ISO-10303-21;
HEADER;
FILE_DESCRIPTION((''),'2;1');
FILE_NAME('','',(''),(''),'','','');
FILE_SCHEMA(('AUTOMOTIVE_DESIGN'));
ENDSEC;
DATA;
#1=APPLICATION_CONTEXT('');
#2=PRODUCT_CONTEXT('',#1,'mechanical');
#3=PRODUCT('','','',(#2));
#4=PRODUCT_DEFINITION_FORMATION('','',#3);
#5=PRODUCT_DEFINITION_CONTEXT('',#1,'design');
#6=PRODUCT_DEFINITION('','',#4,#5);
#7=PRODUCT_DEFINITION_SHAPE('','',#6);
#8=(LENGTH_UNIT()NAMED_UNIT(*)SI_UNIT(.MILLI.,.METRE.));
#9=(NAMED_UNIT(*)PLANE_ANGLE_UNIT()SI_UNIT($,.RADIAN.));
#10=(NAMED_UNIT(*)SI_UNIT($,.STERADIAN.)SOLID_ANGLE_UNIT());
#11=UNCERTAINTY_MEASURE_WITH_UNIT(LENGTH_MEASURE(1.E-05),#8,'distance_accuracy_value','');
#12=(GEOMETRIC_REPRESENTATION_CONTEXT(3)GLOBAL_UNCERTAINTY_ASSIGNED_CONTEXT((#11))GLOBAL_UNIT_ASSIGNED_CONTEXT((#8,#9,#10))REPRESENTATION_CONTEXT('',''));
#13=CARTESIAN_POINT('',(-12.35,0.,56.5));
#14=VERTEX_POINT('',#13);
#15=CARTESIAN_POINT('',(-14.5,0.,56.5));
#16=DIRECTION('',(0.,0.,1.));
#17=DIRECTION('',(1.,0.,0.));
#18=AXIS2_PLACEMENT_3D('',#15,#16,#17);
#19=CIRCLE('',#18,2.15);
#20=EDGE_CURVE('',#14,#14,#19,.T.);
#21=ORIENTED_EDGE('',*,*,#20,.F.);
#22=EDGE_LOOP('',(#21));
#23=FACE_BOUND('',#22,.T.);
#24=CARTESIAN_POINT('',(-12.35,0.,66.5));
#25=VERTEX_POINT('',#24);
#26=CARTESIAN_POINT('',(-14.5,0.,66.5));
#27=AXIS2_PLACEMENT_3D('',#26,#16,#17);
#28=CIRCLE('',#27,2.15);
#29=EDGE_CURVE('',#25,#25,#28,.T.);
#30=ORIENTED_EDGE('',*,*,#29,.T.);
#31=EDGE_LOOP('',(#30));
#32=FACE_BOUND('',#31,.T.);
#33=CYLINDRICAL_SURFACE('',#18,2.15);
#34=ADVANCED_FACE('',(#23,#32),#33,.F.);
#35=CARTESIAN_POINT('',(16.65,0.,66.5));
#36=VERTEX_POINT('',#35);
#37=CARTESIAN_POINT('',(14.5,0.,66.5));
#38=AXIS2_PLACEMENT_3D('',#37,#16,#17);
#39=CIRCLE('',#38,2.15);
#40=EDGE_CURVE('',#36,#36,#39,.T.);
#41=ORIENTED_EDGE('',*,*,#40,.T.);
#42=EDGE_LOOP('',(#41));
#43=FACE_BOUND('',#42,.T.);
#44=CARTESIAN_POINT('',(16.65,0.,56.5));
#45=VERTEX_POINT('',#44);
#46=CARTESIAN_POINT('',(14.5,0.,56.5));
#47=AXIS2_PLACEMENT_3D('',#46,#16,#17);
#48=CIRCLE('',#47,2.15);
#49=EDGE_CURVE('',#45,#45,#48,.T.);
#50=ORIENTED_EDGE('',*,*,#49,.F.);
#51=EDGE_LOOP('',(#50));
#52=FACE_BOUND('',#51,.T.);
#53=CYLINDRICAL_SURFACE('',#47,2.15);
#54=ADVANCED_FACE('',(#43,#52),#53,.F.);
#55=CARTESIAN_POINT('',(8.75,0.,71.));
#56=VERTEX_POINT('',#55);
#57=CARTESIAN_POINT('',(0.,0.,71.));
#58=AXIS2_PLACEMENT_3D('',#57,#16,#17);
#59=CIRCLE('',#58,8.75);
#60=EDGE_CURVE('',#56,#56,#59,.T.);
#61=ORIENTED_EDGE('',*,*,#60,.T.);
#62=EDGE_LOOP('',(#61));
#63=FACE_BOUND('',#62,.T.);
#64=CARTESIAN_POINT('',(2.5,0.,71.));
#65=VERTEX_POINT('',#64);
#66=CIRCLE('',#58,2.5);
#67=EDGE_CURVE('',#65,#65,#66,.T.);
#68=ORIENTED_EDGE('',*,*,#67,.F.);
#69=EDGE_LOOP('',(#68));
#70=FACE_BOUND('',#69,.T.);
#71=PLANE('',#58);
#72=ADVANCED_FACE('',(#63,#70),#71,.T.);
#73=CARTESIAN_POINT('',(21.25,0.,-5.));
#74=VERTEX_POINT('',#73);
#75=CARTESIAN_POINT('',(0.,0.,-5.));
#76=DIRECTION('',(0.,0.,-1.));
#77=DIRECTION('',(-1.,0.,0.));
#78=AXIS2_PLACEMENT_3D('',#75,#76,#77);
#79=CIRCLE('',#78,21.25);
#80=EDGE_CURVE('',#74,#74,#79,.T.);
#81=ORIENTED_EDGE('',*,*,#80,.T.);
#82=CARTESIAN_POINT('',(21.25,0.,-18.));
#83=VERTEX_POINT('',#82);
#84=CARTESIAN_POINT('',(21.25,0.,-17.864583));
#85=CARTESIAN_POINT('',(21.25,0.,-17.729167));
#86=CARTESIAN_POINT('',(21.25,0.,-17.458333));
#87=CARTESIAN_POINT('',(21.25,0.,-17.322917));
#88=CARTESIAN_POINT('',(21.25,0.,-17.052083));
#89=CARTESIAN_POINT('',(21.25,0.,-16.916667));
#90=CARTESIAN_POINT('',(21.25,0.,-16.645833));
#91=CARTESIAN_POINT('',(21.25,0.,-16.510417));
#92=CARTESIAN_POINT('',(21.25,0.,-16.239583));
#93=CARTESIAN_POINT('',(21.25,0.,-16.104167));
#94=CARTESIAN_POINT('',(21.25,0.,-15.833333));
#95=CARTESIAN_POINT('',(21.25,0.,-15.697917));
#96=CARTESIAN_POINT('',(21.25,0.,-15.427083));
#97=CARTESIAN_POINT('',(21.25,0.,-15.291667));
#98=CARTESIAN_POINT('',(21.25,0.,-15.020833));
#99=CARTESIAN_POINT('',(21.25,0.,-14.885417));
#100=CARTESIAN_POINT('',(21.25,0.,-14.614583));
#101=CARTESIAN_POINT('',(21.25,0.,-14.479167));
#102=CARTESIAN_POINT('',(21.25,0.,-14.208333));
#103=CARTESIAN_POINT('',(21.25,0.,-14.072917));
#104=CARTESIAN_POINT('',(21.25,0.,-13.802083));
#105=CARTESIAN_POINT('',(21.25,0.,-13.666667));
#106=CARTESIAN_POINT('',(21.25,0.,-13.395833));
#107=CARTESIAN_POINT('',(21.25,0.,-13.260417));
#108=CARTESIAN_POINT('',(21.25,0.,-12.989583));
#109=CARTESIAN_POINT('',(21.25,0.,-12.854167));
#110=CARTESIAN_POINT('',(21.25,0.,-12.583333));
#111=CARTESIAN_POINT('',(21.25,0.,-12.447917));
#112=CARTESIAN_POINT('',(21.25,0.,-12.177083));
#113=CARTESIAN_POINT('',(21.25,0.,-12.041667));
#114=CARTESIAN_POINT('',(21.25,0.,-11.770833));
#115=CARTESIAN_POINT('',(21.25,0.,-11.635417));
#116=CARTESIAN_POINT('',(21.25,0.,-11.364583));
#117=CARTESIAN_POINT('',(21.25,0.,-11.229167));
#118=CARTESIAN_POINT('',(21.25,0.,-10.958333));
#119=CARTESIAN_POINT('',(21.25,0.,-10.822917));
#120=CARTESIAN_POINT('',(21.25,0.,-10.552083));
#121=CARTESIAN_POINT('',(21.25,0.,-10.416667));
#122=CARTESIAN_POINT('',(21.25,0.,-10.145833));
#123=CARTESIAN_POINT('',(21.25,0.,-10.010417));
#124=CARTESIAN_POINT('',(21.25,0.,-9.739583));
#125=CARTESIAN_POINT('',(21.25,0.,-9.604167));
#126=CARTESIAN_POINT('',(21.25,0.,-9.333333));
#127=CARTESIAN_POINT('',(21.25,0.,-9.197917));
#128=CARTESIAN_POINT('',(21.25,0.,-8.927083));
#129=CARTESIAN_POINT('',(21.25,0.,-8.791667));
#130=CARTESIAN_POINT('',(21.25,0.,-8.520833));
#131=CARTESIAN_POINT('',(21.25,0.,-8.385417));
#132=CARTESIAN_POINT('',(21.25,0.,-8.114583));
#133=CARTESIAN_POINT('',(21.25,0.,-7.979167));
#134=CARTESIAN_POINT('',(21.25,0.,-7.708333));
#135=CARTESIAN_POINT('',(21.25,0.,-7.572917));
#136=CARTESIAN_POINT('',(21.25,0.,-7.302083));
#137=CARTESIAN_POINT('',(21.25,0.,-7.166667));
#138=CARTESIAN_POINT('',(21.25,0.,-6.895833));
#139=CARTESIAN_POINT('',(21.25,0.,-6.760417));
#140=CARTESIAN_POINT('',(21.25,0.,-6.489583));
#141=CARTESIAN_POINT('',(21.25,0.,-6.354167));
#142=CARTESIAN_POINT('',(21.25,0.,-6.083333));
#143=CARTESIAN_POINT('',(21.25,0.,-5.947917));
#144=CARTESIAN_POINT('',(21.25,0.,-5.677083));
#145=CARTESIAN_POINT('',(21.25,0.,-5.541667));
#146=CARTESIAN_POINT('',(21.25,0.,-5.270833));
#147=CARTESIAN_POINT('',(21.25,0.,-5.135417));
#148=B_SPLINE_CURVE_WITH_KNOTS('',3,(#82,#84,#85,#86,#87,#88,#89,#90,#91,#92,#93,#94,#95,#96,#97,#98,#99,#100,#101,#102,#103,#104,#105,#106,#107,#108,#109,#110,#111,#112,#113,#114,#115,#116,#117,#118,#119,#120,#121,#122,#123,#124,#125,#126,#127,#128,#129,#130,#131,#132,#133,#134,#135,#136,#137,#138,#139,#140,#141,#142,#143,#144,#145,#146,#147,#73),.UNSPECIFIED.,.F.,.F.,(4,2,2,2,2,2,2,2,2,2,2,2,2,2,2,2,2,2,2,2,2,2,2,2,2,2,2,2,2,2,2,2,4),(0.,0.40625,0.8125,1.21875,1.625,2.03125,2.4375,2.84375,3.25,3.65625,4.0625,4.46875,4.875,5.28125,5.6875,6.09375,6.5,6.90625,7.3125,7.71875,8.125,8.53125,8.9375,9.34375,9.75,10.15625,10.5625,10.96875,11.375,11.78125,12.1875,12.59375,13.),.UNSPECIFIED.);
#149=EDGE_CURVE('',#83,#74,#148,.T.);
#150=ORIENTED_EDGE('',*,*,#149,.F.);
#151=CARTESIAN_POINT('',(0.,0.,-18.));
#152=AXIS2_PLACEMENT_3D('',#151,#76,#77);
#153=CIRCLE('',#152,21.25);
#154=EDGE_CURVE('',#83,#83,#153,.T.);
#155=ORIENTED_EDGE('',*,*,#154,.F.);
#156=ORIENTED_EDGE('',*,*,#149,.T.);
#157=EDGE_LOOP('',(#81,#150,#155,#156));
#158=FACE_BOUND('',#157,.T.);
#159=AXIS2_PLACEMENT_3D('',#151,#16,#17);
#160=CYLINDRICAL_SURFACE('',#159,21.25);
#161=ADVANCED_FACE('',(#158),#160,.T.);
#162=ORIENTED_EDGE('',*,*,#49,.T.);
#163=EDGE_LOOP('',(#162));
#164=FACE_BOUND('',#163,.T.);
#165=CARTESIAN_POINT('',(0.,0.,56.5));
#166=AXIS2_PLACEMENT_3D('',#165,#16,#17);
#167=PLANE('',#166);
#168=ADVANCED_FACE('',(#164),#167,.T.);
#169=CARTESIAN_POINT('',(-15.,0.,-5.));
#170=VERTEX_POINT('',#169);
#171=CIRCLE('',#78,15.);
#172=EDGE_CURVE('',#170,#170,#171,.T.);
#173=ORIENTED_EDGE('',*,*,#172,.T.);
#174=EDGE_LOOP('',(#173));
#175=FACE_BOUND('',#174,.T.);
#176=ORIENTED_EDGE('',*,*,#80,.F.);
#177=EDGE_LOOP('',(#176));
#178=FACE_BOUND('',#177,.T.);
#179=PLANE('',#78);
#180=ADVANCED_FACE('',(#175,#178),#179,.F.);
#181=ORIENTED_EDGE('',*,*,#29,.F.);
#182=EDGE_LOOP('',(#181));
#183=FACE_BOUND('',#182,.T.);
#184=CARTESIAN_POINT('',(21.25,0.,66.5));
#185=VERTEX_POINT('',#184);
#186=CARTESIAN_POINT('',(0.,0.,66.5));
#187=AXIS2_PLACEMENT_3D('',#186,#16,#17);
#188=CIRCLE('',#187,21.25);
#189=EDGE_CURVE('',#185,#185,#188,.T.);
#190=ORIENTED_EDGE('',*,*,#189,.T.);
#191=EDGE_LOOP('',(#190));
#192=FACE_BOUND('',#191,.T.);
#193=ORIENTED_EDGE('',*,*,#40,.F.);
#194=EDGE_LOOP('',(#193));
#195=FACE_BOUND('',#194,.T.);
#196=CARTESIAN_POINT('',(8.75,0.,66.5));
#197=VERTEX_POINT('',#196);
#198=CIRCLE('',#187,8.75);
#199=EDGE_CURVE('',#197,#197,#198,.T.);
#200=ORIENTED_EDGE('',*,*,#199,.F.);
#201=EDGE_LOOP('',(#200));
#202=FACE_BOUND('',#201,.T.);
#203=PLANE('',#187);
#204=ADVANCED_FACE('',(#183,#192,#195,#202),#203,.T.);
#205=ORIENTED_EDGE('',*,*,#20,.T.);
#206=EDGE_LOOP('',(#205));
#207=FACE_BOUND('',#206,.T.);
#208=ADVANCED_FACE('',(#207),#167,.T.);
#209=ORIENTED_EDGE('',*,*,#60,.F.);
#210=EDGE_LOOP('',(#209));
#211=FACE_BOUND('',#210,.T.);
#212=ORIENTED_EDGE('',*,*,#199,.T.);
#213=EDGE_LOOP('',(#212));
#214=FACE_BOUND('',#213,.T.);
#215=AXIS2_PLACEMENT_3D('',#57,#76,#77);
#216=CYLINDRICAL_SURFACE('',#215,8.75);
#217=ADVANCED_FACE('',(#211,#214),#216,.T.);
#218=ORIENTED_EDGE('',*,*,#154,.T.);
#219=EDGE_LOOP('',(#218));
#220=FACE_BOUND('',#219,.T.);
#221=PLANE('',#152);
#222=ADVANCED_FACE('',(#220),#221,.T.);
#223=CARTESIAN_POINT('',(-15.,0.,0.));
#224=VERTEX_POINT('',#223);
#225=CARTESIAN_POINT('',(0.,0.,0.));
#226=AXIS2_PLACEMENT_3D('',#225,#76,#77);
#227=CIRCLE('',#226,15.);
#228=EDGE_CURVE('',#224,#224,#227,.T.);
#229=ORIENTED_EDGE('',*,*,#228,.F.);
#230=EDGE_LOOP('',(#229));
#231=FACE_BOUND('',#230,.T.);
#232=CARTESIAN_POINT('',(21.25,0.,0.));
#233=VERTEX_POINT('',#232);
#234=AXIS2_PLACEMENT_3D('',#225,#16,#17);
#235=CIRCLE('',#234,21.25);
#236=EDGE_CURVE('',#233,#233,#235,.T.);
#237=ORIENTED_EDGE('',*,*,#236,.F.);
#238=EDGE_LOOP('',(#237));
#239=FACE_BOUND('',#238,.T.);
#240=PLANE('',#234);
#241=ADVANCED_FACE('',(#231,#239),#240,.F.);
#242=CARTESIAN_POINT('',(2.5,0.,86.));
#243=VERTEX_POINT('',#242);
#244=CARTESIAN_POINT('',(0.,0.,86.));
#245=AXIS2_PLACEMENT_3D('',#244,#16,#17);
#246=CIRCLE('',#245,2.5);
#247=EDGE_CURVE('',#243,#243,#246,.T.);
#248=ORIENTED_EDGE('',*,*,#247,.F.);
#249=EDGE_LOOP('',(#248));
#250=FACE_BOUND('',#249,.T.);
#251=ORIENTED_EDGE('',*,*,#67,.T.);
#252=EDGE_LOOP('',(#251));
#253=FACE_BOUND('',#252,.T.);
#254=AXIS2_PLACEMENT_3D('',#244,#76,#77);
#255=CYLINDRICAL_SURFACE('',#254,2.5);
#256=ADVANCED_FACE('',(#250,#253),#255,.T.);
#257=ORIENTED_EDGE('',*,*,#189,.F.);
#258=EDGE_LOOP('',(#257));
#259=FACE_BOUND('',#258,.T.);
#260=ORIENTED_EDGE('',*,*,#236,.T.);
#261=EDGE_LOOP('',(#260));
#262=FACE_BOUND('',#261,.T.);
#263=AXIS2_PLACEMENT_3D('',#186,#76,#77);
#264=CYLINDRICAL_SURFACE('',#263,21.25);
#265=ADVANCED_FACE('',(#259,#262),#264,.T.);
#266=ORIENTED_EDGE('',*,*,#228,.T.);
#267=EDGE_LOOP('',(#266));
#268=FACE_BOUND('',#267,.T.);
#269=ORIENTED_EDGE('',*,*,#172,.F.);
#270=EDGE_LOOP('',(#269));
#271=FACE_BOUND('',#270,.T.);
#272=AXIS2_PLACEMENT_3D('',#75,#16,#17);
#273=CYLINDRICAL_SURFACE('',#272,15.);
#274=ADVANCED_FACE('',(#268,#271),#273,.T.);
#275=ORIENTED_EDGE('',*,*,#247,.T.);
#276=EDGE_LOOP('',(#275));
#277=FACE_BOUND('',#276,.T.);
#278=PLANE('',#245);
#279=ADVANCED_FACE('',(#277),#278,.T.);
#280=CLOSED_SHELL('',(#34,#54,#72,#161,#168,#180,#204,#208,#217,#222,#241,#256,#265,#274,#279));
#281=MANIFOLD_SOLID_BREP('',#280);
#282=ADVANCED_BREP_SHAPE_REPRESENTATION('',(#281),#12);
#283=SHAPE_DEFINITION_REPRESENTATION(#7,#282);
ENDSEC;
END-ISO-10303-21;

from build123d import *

# Parameters (mm, degrees)
SKIZZE1_R                       = 21.25
AUFSATZ_LINEAR_AUSTRAGEN1_DEPTH = 66.5
SKIZZE2_R                       = 8.75
AUFSATZ_LINEAR_AUSTRAGEN2_DEPTH = 4.5
SKIZZE3_R                       = 2.5
AUFSATZ_LINEAR_AUSTRAGEN3_DEPTH = 15
SKIZZE4_R                       = 2.15
SCHNITT_LINEAR_AUSTRAGEN1_DEPTH = 10
SKIZZE5_R                       = 15
AUFSATZ_LINEAR_AUSTRAGEN4_DEPTH = 5
AUFSATZ_LINEAR_START            = 13
SKIZZE6_R                       = 21.25
AUFSATZ_LINEAR_AUSTRAGEN5_DEPTH = 13


with BuildPart() as part:
    # Skizze1 → Aufsatz-Linear austragen1 (new body)
    with BuildSketch(Plane.XY):
        Circle(SKIZZE1_R)
    extrude(amount=AUFSATZ_LINEAR_AUSTRAGEN1_DEPTH)

    # Skizze2 → Aufsatz-Linear austragen2 (add)
    with BuildSketch(Plane.XY.offset(66.5)):
        Circle(SKIZZE2_R)
    extrude(amount=AUFSATZ_LINEAR_AUSTRAGEN2_DEPTH)

    # Skizze3 → Aufsatz-Linear austragen3 (add)
    with BuildSketch(Plane.XY.offset(71)):
        Circle(SKIZZE3_R)
    extrude(amount=AUFSATZ_LINEAR_AUSTRAGEN3_DEPTH)

    # Skizze4 → Schnitt-Linear austragen1 (cut)
    with BuildSketch(Plane.XY.offset(66.5)):
        with Locations((-14.5, 0)):
            Circle(SKIZZE4_R)
        with Locations((14.5, 0)):
            Circle(SKIZZE4_R)
    extrude(amount=-SCHNITT_LINEAR_AUSTRAGEN1_DEPTH, mode=Mode.SUBTRACT)

    # Skizze5 → Aufsatz-Linear austragen4 (add)
    with BuildSketch(Plane(origin=(0, 0, 0), x_dir=(-1, 0, 0), z_dir=(0, 0, -1))):
        Circle(SKIZZE5_R)
    extrude(amount=AUFSATZ_LINEAR_AUSTRAGEN4_DEPTH)

    # Skizze6 → Aufsatz-Linear austragen5 (add)
    with BuildSketch(Plane(origin=(0, 0, -5), x_dir=(-1, 0, 0), z_dir=(0, 0, -1)).offset(AUFSATZ_LINEAR_START)):
        with Locations(Location((0, 0, 0), (0, 0, 180))):
            Circle(SKIZZE6_R)
    extrude(amount=-AUFSATZ_LINEAR_AUSTRAGEN5_DEPTH)


solid = part.part
